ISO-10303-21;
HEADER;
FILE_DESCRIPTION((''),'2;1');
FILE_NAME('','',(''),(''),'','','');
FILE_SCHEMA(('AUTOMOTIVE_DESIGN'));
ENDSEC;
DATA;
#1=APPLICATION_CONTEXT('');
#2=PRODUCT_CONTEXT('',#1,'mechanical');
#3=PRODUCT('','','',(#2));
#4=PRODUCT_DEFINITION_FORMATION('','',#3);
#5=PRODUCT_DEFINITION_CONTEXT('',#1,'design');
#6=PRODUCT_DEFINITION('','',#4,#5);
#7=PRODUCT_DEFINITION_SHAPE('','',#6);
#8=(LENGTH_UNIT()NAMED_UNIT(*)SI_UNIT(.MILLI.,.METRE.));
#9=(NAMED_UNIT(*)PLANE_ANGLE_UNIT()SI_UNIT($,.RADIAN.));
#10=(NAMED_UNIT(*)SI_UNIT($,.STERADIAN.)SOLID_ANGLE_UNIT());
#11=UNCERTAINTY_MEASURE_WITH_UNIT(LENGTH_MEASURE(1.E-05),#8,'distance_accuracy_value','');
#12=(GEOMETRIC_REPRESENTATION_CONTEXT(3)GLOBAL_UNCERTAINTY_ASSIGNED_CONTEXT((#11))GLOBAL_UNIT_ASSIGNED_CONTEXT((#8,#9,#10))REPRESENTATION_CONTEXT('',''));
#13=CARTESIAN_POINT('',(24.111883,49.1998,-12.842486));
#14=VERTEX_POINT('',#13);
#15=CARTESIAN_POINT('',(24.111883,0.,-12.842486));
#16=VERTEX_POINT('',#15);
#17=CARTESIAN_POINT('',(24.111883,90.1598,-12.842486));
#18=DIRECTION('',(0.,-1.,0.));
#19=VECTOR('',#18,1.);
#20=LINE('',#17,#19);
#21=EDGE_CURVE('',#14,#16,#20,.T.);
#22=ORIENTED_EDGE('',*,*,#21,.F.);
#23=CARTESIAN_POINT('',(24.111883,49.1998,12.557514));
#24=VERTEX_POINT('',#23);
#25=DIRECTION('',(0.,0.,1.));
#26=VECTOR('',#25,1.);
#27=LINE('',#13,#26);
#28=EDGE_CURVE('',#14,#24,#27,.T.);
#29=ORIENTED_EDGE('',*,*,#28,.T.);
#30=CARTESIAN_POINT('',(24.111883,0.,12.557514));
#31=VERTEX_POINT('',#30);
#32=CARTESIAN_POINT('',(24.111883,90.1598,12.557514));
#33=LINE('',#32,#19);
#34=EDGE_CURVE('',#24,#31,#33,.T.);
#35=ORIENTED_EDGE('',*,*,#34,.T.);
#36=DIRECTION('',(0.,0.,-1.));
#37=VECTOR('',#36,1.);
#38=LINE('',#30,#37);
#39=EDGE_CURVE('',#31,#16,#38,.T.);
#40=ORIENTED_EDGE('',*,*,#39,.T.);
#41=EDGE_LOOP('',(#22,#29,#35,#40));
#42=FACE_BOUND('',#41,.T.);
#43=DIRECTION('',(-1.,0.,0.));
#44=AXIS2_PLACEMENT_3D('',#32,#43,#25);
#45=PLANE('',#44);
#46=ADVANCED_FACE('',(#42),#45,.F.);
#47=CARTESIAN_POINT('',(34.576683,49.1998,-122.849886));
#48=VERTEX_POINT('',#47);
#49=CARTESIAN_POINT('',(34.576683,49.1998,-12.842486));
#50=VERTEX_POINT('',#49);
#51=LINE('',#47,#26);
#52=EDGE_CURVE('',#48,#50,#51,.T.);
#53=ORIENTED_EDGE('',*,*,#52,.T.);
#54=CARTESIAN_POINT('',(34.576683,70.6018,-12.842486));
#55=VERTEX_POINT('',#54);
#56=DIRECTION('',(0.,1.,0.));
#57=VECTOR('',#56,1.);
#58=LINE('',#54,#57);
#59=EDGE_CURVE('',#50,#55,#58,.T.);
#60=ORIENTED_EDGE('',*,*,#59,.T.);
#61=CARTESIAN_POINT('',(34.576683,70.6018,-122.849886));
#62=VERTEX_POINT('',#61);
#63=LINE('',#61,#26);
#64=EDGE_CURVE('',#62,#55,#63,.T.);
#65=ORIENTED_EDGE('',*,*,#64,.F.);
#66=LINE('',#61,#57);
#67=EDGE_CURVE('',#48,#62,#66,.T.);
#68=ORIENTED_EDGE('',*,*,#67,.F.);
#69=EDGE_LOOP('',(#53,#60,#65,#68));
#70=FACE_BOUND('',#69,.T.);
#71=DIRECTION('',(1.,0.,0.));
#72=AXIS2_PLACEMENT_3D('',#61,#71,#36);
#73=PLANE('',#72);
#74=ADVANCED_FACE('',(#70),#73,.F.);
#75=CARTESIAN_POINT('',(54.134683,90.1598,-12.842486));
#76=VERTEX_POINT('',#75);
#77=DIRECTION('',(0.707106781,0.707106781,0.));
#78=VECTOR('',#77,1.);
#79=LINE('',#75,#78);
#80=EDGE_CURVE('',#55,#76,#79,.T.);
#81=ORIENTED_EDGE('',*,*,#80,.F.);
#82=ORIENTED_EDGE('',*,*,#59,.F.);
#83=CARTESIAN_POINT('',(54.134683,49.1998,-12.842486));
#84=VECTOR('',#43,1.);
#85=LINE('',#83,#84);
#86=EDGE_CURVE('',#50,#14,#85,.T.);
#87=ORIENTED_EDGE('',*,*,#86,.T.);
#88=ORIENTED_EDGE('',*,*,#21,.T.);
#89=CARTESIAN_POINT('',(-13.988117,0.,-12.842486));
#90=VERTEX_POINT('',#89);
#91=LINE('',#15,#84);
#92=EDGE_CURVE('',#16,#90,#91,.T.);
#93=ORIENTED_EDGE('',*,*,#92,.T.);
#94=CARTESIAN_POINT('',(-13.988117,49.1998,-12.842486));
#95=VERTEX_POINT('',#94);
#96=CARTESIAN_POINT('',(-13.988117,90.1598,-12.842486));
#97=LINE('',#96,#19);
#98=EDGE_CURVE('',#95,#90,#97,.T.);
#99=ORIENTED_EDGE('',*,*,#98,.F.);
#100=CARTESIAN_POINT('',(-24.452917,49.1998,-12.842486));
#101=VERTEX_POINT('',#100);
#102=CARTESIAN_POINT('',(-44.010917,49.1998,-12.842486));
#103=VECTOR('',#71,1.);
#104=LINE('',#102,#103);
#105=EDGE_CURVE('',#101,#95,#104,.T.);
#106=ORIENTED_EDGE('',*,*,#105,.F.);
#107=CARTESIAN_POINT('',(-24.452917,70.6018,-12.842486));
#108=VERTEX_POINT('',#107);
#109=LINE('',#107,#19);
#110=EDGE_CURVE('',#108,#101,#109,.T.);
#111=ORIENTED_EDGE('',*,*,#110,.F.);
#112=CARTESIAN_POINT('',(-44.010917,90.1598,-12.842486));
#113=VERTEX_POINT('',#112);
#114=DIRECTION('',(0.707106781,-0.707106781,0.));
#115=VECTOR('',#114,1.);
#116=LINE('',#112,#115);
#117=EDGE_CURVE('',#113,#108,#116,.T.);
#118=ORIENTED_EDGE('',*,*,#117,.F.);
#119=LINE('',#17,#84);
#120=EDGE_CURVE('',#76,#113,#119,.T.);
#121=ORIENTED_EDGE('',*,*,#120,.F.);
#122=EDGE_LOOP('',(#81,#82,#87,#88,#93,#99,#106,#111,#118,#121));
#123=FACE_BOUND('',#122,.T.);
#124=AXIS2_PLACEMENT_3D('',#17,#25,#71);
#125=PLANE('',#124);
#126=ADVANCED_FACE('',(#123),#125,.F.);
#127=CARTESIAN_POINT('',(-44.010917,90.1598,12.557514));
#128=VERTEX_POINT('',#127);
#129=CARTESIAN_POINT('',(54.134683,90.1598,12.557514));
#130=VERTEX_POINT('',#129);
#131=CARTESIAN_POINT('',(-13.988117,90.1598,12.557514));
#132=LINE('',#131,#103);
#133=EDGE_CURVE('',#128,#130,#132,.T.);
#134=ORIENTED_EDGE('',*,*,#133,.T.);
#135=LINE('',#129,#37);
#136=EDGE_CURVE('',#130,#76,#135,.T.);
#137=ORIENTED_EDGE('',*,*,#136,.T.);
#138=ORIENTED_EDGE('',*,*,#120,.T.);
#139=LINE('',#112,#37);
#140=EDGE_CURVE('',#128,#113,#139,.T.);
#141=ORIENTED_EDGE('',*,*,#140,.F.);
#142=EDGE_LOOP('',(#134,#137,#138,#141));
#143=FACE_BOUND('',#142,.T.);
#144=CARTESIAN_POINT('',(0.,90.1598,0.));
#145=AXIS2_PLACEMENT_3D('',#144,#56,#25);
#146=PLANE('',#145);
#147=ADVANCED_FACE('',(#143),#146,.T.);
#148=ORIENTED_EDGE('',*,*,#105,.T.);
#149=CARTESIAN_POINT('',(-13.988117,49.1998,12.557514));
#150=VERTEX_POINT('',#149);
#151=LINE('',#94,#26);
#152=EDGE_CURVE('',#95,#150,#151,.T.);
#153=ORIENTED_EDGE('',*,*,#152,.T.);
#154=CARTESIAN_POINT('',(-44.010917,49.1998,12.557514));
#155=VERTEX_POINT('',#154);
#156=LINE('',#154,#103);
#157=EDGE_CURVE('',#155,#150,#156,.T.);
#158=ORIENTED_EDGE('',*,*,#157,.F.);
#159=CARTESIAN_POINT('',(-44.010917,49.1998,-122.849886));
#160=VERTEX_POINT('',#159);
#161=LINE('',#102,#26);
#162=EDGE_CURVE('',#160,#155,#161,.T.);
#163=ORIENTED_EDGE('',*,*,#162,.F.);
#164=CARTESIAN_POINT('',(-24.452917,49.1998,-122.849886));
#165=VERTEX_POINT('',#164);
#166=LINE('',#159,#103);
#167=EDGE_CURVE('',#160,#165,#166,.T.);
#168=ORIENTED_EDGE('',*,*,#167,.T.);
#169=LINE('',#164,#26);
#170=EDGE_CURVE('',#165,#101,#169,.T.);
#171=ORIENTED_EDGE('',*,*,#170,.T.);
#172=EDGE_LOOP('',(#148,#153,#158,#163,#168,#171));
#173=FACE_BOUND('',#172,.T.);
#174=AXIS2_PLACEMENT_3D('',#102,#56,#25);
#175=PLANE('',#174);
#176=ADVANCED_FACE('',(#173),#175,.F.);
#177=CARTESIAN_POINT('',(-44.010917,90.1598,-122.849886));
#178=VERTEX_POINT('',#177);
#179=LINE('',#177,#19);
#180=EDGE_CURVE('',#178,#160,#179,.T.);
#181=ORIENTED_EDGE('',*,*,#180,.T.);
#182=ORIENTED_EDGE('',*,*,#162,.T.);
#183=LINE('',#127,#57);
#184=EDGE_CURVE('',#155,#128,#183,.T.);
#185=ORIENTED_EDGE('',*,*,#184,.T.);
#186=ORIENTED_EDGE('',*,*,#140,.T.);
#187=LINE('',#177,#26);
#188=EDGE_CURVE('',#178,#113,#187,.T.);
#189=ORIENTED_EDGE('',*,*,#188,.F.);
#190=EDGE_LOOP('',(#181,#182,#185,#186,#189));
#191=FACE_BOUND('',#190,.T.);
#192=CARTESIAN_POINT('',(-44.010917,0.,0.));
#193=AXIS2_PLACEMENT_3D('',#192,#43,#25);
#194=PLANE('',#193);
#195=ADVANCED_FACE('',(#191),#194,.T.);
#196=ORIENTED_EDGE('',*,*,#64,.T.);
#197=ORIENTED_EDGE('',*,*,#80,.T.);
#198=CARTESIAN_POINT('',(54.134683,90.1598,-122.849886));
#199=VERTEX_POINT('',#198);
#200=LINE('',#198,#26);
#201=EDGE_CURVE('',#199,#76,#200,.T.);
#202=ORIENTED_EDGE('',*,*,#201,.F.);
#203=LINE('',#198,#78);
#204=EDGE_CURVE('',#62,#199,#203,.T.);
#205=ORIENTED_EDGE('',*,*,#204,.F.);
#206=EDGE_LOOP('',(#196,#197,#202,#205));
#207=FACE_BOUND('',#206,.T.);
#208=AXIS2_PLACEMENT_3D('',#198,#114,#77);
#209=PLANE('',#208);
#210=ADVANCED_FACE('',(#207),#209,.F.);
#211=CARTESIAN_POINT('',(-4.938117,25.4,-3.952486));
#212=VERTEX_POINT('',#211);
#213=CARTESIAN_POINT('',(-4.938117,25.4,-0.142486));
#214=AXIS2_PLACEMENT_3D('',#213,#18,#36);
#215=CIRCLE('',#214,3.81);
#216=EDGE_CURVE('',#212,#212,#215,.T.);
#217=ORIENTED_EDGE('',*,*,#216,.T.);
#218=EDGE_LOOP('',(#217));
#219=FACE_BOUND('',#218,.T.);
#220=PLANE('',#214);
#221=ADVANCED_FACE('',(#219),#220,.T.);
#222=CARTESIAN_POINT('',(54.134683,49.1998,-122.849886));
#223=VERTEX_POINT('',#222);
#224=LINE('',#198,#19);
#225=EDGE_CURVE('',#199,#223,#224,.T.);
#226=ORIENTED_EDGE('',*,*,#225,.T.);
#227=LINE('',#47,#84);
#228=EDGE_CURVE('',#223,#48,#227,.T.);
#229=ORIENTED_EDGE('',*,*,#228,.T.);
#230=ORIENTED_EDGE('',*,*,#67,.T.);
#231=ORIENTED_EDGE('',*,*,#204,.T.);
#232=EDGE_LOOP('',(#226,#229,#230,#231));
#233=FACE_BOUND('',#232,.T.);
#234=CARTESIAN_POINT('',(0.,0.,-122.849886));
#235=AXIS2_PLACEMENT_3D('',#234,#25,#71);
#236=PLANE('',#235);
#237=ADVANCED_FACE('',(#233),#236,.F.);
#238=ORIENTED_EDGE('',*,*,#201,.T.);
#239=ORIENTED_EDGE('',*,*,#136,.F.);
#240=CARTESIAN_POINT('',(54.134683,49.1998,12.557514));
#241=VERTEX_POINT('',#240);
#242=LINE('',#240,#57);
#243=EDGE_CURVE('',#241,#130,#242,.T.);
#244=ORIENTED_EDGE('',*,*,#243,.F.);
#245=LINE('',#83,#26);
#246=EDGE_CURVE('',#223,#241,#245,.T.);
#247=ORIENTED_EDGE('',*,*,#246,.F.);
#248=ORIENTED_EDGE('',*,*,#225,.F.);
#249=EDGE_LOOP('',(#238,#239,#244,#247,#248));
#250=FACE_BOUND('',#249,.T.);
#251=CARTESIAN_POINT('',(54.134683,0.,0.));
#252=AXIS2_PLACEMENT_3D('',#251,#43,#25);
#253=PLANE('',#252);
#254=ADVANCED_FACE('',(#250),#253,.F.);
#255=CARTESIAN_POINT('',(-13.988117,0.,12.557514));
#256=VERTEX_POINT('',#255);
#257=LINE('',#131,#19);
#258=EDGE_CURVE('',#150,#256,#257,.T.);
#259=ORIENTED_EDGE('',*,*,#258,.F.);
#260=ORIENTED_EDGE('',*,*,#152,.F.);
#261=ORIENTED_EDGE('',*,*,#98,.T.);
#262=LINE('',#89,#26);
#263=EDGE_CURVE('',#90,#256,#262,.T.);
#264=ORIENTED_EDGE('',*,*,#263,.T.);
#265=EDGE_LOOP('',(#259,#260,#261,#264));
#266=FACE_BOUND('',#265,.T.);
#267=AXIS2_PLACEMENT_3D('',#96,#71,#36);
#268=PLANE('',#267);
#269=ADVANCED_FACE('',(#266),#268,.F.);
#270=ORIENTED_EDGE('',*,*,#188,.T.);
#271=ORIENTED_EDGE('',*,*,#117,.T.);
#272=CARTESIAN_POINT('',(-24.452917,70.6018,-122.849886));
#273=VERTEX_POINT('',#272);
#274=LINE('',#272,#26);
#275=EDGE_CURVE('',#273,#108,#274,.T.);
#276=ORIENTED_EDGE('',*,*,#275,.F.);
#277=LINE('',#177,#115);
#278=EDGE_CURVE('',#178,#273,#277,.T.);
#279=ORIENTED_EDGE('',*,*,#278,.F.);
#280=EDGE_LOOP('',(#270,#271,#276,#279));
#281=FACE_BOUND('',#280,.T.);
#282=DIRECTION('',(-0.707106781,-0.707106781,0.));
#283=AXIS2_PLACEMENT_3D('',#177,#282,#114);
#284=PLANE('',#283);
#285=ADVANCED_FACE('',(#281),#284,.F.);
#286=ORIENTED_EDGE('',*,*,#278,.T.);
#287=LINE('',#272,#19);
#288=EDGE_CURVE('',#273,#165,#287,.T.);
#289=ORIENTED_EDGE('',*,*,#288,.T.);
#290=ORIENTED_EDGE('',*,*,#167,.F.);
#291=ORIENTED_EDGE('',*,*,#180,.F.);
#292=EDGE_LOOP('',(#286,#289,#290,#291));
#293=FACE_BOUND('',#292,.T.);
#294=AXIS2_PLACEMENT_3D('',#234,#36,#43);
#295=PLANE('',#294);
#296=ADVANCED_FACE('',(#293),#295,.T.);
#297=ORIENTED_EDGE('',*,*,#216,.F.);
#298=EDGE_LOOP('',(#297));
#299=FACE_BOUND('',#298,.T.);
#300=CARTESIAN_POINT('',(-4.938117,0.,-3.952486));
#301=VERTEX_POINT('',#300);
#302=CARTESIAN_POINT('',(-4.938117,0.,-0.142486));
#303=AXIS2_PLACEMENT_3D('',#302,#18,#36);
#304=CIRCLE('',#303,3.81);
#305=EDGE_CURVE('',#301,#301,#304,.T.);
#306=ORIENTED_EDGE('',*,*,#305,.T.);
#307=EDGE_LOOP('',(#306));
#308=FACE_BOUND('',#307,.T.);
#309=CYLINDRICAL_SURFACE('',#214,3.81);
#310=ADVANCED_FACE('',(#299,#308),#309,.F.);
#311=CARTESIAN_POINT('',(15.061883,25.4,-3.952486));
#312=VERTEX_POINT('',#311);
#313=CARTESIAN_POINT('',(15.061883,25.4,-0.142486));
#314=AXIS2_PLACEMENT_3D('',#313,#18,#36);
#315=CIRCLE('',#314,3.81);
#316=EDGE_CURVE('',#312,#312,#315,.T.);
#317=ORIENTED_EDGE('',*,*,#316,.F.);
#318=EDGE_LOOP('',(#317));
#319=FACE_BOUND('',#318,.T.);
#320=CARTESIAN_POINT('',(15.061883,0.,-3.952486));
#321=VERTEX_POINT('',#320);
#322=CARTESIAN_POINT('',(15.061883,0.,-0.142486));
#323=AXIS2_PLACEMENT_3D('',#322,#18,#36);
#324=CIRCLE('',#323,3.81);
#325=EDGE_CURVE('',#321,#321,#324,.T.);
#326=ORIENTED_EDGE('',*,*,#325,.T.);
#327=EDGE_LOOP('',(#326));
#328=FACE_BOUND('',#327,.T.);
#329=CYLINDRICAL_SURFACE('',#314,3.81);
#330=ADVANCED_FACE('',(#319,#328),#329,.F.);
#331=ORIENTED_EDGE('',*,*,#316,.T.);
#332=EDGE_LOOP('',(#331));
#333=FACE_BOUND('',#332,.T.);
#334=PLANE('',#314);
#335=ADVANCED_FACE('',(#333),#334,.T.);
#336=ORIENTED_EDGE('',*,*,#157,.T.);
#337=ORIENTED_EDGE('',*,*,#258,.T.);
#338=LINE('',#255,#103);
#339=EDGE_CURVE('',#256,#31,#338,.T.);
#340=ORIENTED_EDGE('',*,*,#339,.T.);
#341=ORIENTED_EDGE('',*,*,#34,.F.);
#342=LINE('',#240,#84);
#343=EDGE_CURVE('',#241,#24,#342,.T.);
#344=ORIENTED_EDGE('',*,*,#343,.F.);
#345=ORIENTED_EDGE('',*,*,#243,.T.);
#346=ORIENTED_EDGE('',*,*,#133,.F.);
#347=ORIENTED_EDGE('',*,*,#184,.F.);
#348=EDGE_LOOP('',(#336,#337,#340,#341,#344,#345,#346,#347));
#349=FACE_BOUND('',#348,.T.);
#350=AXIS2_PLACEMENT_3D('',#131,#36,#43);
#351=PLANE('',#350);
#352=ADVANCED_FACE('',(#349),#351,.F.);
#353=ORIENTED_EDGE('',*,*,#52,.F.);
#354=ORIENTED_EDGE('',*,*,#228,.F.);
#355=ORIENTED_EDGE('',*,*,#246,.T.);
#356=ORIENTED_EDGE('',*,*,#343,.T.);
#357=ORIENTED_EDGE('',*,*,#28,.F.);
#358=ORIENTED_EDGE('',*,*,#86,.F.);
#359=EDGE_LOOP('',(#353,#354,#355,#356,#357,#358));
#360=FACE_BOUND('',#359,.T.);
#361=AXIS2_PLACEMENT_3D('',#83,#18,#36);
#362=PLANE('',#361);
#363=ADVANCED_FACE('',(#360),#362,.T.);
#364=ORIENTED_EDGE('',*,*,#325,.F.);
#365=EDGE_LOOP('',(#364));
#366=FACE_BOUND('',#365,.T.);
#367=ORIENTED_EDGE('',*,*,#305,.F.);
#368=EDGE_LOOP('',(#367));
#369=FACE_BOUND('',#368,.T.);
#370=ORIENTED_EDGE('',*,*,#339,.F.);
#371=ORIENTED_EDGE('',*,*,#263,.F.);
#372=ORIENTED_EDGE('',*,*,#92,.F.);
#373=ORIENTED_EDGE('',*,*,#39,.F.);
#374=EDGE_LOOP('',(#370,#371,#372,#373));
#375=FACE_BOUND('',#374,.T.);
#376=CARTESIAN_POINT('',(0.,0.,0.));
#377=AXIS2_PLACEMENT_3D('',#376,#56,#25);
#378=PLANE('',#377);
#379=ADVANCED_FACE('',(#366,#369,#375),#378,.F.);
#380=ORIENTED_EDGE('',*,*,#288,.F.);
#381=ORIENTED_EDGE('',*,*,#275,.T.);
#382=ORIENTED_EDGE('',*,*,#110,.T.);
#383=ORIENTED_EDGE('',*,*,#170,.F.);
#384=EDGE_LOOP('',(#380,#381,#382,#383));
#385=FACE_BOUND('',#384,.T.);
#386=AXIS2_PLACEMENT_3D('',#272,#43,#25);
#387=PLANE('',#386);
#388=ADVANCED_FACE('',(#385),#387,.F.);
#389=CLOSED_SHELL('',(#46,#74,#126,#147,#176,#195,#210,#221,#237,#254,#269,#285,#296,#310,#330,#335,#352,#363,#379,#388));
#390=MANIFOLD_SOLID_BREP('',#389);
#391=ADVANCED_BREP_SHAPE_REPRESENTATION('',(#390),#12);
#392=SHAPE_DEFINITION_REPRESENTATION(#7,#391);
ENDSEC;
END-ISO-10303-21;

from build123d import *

# Parameters (mm, degrees)
SKETCH1_W           = 38.1
SKETCH1_H           = 25.4
BOSS_EXTRUDE1_DEPTH = 90.1598
SKETCH2_W           = 25.4
SKETCH2_H           = 40.96
BOSS_EXTRUDE2_DEPTH = 30.0228
SKETCH3_W           = 25.4
SKETCH3_H           = 40.96
BOSS_EXTRUDE3_DEPTH = 30.0228
BOSS_EXTRUDE4_DEPTH = 110.0074
BOSS_EXTRUDE5_DEPTH = 110.0074
SKETCH8_R           = 3.81
CUT_EXTRUDE1_DEPTH  = 25.4


with BuildPart() as part:
    # Sketch1 → Boss-Extrude1 (new body)
    with BuildSketch(Plane(origin=(0, 0, 0), x_dir=(1, 0, 0), z_dir=(0, 1, 0))):
        with Locations((5.061883246, 0.142486096)):
            Rectangle(SKETCH1_W, SKETCH1_H)
    extrude(amount=BOSS_EXTRUDE1_DEPTH)

    # Sketch2 → Boss-Extrude2 (add)
    with BuildSketch(Plane(origin=(24.111883246, 0, 0), x_dir=(0, 0, -1), z_dir=(1, 0, 0))):
        with Locations((0.142486096, 69.6798)):
            Rectangle(SKETCH2_W, SKETCH2_H)
    extrude(amount=BOSS_EXTRUDE2_DEPTH)

    # Sketch3 → Boss-Extrude3 (add)
    with BuildSketch(Plane.ZY.offset(13.988116754)):
        with Locations((-0.142486096, 69.6798)):
            Rectangle(SKETCH3_W, SKETCH3_H)
    extrude(amount=BOSS_EXTRUDE3_DEPTH)

    # Sketch4 → Boss-Extrude4 (add)
    with BuildSketch(Plane(origin=(0, 0, -12.842486096), x_dir=(-1, 0, 0), z_dir=(0, 0, -1))):
        Polygon((-54.134683246, 90.1598), (-54.134683246, 49.1998), (-34.576683246, 49.1998), (-34.576683246, 70.6018), align=None)
    extrude(amount=BOSS_EXTRUDE4_DEPTH)

    # Sketch5 → Boss-Extrude5 (add)
    with BuildSketch(Plane(origin=(0, 0, -12.842486096), x_dir=(-1, 0, 0), z_dir=(0, 0, -1))):
        Polygon((44.010916754, 90.1598), (44.010916754, 49.1998), (24.452916754, 49.1998), (24.452916754, 70.6018), align=None)
    extrude(amount=BOSS_EXTRUDE5_DEPTH)

    # Sketch8 → Cut-Extrude1 (cut)
    with BuildSketch(Plane.XZ):
        with Locations(Location((-4.938116754, -0.142486096, 0), (0, 0, 270))):
            Circle(SKETCH8_R)
        with Locations(Location((15.061883246, -0.142486096, 0), (0, 0, 270))):
            Circle(SKETCH8_R)
    extrude(amount=-CUT_EXTRUDE1_DEPTH, mode=Mode.SUBTRACT)


solid = part.part
